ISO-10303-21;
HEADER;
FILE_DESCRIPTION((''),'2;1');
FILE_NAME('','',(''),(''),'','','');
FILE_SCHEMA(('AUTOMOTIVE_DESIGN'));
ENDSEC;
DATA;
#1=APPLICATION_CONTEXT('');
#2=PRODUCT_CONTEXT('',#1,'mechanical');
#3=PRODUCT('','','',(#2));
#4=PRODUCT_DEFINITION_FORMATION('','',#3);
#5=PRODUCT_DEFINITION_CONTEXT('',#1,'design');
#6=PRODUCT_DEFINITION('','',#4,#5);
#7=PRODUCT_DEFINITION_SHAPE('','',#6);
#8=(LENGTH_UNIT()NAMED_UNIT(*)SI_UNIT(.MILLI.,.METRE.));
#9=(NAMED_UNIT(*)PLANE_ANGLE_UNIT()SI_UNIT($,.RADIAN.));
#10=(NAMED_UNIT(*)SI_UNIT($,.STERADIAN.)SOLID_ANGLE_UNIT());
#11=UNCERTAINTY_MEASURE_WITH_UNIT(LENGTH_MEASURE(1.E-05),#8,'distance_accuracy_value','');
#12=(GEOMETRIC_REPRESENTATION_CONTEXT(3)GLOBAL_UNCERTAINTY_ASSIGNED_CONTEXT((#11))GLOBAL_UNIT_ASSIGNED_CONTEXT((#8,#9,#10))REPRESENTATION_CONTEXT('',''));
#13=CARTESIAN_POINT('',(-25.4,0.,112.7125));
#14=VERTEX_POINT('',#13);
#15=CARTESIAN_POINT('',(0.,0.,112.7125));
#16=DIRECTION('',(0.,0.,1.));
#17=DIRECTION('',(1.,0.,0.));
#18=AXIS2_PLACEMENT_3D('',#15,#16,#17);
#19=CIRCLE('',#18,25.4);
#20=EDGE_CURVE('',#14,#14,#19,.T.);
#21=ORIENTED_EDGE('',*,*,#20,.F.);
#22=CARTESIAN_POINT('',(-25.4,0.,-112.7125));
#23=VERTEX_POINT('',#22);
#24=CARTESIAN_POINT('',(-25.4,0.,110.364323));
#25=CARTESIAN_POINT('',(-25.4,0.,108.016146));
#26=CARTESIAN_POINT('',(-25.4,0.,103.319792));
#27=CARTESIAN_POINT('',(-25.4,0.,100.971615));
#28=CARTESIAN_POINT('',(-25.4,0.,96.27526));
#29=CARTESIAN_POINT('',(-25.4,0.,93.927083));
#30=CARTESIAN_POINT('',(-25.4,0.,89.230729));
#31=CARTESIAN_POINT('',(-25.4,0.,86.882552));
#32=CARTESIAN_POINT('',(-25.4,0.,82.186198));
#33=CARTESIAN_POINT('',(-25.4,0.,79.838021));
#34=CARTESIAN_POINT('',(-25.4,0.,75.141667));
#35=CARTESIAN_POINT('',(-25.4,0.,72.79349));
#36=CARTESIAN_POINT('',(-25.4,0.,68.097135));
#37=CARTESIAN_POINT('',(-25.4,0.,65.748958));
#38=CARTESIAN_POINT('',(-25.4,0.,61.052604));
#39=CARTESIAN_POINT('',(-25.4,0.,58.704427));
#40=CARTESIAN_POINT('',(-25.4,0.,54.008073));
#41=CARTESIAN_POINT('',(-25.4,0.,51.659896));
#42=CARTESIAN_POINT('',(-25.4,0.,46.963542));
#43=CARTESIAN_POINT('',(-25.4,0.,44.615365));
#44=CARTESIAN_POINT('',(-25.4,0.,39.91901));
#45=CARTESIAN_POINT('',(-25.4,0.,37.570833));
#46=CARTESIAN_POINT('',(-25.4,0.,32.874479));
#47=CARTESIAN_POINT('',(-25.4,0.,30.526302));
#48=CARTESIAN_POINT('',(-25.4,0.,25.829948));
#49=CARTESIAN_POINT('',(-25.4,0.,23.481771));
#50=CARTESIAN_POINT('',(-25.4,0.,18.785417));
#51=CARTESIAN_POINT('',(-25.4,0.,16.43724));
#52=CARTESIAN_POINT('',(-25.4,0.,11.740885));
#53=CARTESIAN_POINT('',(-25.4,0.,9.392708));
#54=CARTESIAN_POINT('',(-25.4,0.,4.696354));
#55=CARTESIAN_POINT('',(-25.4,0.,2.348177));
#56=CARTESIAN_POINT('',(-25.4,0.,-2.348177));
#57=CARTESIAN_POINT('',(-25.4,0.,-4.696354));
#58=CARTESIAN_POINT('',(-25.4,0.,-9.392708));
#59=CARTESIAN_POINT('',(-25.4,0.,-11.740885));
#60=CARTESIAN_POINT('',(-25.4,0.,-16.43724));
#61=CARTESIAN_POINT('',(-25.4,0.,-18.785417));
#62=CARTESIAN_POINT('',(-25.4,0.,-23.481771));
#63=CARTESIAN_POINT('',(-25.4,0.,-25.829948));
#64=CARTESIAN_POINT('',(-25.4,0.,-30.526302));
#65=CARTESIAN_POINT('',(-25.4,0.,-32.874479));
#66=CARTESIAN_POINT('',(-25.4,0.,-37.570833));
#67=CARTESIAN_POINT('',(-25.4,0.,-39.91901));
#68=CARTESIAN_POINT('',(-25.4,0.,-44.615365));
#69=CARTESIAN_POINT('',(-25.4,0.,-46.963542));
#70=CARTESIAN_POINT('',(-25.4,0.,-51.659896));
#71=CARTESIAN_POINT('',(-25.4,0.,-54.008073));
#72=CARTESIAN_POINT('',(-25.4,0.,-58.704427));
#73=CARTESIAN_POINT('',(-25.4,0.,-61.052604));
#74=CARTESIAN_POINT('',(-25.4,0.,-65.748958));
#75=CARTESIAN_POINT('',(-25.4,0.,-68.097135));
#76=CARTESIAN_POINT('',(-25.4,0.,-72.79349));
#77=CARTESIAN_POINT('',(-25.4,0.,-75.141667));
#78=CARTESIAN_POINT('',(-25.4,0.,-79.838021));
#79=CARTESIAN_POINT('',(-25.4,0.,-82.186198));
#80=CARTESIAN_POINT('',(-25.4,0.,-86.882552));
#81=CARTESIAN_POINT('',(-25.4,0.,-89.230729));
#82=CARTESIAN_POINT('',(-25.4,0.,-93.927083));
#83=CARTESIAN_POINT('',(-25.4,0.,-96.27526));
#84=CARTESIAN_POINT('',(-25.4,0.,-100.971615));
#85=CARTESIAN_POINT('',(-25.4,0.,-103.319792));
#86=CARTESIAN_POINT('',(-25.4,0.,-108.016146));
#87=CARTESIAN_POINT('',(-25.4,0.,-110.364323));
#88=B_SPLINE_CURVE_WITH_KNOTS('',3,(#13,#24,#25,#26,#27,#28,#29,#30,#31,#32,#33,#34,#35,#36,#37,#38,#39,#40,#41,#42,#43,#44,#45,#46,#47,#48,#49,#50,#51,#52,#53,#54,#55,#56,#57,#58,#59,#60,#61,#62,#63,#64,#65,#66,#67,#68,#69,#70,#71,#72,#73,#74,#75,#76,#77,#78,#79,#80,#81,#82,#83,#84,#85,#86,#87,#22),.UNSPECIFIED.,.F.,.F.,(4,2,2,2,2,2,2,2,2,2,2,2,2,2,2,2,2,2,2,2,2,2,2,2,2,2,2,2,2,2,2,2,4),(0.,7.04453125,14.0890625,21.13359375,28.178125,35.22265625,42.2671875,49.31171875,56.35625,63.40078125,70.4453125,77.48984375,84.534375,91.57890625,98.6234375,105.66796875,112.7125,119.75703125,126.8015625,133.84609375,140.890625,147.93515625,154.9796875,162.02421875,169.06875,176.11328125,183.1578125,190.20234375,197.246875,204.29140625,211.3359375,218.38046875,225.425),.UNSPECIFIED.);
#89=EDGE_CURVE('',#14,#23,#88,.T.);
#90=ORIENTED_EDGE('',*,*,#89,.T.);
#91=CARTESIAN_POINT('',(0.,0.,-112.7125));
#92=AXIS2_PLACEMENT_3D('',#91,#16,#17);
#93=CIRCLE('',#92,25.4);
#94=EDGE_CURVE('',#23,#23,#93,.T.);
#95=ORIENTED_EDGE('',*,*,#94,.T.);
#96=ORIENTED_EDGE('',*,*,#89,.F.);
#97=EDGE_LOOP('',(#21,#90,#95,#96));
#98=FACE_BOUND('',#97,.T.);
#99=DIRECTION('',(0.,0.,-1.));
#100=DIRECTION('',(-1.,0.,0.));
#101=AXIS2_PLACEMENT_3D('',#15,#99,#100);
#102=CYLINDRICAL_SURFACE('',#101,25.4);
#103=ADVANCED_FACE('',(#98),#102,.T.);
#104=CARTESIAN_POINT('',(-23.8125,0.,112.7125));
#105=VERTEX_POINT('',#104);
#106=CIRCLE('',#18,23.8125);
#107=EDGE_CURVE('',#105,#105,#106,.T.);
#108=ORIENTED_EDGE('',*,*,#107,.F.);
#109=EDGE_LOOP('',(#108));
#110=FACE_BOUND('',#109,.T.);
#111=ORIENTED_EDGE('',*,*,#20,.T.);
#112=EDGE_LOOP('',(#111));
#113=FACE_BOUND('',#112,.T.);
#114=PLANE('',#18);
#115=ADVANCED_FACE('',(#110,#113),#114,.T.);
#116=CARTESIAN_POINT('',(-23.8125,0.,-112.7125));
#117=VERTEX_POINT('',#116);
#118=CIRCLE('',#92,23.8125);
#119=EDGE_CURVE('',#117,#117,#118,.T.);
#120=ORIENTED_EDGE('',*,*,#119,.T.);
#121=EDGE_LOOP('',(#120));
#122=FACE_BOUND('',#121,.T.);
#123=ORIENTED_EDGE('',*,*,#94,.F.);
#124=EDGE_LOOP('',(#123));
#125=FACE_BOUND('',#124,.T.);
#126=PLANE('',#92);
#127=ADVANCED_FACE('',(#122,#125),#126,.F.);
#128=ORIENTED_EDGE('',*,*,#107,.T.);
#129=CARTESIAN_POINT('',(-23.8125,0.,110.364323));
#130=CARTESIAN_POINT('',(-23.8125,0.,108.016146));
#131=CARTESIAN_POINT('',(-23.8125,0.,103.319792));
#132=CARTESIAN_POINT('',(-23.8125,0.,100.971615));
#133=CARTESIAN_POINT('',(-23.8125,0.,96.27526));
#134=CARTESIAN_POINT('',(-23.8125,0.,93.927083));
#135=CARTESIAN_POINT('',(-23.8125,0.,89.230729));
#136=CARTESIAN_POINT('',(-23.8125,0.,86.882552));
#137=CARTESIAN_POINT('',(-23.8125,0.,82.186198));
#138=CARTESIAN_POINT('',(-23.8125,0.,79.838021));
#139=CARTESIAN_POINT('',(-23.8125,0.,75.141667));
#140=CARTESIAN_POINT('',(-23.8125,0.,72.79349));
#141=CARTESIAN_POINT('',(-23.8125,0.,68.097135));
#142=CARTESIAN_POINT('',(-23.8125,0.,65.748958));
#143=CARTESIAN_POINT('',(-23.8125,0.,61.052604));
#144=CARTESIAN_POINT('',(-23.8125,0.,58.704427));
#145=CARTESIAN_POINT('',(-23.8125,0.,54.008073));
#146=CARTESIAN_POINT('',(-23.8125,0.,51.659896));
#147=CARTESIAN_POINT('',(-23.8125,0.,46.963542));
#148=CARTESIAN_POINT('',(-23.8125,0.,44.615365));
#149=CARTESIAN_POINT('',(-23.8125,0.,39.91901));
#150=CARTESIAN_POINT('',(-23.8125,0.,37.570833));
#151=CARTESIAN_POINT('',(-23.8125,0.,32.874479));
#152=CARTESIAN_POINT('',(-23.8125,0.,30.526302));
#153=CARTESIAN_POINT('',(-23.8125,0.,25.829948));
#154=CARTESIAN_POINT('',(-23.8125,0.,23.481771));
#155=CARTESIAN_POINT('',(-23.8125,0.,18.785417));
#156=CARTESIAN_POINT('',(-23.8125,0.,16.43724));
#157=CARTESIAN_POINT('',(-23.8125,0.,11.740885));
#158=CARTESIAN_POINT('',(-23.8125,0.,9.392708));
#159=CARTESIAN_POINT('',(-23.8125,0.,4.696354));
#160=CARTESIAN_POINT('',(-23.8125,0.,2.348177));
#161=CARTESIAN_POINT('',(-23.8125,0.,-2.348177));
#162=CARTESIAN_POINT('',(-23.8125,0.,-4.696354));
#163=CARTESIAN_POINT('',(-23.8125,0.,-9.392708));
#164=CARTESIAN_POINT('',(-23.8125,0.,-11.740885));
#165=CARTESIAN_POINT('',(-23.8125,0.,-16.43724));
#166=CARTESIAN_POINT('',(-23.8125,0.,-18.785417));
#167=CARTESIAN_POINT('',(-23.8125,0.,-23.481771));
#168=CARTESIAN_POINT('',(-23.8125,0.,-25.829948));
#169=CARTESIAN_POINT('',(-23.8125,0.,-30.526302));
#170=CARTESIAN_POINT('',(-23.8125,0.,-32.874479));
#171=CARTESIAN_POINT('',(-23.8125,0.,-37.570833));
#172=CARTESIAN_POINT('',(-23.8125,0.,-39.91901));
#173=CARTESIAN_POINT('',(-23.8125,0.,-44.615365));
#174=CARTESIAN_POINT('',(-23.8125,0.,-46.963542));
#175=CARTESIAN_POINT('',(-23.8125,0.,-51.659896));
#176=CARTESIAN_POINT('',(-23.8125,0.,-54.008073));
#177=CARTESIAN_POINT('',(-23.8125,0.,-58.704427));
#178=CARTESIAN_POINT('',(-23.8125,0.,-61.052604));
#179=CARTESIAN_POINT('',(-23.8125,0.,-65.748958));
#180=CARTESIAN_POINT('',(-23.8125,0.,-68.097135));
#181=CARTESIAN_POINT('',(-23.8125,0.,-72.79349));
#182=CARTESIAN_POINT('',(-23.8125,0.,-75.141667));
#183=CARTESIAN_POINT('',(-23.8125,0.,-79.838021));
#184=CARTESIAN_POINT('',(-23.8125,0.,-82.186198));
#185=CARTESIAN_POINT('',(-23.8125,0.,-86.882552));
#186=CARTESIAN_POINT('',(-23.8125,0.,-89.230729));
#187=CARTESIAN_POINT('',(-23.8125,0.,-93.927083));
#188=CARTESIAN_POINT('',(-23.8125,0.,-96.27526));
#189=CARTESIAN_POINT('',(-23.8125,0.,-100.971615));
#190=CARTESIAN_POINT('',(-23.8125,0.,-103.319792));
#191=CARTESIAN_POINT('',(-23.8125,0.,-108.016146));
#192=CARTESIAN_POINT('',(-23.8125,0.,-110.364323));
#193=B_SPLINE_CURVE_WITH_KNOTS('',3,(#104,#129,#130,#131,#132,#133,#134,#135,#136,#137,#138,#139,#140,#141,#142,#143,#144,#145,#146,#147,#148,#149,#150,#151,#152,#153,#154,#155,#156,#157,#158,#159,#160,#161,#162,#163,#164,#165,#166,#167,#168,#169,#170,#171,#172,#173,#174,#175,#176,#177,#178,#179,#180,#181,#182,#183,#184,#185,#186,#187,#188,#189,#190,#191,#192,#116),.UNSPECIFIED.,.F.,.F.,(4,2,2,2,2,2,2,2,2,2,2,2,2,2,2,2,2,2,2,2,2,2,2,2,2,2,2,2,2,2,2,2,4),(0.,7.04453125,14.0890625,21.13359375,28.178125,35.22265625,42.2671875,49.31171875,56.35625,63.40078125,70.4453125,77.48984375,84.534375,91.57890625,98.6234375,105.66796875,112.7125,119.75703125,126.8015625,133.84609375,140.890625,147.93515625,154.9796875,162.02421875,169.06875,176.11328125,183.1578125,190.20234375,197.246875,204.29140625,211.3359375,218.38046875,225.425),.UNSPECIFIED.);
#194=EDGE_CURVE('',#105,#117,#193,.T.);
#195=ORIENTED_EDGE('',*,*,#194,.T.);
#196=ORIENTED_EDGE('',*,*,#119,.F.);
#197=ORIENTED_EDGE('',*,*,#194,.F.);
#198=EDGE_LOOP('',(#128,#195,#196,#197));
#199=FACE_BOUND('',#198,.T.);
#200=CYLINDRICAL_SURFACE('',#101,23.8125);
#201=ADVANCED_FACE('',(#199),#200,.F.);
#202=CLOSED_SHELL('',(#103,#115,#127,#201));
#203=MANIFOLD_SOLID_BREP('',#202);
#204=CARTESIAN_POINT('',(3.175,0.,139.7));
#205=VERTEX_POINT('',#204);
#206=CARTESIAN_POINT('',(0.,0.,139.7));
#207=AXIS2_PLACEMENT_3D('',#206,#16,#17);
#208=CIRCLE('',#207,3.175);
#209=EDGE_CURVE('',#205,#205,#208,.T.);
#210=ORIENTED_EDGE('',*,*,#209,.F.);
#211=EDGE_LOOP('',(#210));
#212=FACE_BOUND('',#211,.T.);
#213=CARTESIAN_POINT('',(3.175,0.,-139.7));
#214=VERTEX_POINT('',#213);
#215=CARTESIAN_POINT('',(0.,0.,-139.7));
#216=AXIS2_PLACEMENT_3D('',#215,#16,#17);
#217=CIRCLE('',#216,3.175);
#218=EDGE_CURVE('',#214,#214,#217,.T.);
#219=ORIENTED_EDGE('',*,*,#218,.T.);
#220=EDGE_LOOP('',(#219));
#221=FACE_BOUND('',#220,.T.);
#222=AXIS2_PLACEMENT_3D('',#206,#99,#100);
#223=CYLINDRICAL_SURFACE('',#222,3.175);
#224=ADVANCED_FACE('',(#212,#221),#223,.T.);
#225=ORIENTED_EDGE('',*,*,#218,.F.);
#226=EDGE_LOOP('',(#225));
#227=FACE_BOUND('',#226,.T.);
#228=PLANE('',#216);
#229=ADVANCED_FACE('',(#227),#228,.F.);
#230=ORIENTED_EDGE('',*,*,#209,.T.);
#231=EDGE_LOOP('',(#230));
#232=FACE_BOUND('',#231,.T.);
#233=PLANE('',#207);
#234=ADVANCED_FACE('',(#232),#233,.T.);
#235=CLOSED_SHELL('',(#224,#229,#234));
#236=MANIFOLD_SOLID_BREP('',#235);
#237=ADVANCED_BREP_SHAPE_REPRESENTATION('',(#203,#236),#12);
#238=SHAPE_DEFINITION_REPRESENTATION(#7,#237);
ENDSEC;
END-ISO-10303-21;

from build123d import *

# Parameters (mm, degrees)
SKETCH1_R           = 3.175
BOSS_EXTRUDE1_DEPTH = 139.7
SKETCH2_R           = 25.4
SKETCH2_R_2         = 23.8125
BOSS_EXTRUDE2_DEPTH = 112.7125


with BuildPart() as part:
    # Sketch1 → Boss-Extrude1 (new, symmetric)
    with BuildSketch(Plane.XY):
        Circle(SKETCH1_R)
    extrude(amount=BOSS_EXTRUDE1_DEPTH, both=True)


with BuildPart() as body_2:
    # Sketch2 → Boss-Extrude2 (new, symmetric)
    with BuildSketch(Plane.XY):
        with Locations(Location((0, 0, 0), (0, 0, 180))):
            Circle(SKETCH2_R)
        with Locations(Location((0, 0, 0), (0, 0, 180))):
            Circle(SKETCH2_R_2, mode=Mode.SUBTRACT)
    extrude(amount=BOSS_EXTRUDE2_DEPTH, both=True)


solid = Compound([part.part, body_2.part])
